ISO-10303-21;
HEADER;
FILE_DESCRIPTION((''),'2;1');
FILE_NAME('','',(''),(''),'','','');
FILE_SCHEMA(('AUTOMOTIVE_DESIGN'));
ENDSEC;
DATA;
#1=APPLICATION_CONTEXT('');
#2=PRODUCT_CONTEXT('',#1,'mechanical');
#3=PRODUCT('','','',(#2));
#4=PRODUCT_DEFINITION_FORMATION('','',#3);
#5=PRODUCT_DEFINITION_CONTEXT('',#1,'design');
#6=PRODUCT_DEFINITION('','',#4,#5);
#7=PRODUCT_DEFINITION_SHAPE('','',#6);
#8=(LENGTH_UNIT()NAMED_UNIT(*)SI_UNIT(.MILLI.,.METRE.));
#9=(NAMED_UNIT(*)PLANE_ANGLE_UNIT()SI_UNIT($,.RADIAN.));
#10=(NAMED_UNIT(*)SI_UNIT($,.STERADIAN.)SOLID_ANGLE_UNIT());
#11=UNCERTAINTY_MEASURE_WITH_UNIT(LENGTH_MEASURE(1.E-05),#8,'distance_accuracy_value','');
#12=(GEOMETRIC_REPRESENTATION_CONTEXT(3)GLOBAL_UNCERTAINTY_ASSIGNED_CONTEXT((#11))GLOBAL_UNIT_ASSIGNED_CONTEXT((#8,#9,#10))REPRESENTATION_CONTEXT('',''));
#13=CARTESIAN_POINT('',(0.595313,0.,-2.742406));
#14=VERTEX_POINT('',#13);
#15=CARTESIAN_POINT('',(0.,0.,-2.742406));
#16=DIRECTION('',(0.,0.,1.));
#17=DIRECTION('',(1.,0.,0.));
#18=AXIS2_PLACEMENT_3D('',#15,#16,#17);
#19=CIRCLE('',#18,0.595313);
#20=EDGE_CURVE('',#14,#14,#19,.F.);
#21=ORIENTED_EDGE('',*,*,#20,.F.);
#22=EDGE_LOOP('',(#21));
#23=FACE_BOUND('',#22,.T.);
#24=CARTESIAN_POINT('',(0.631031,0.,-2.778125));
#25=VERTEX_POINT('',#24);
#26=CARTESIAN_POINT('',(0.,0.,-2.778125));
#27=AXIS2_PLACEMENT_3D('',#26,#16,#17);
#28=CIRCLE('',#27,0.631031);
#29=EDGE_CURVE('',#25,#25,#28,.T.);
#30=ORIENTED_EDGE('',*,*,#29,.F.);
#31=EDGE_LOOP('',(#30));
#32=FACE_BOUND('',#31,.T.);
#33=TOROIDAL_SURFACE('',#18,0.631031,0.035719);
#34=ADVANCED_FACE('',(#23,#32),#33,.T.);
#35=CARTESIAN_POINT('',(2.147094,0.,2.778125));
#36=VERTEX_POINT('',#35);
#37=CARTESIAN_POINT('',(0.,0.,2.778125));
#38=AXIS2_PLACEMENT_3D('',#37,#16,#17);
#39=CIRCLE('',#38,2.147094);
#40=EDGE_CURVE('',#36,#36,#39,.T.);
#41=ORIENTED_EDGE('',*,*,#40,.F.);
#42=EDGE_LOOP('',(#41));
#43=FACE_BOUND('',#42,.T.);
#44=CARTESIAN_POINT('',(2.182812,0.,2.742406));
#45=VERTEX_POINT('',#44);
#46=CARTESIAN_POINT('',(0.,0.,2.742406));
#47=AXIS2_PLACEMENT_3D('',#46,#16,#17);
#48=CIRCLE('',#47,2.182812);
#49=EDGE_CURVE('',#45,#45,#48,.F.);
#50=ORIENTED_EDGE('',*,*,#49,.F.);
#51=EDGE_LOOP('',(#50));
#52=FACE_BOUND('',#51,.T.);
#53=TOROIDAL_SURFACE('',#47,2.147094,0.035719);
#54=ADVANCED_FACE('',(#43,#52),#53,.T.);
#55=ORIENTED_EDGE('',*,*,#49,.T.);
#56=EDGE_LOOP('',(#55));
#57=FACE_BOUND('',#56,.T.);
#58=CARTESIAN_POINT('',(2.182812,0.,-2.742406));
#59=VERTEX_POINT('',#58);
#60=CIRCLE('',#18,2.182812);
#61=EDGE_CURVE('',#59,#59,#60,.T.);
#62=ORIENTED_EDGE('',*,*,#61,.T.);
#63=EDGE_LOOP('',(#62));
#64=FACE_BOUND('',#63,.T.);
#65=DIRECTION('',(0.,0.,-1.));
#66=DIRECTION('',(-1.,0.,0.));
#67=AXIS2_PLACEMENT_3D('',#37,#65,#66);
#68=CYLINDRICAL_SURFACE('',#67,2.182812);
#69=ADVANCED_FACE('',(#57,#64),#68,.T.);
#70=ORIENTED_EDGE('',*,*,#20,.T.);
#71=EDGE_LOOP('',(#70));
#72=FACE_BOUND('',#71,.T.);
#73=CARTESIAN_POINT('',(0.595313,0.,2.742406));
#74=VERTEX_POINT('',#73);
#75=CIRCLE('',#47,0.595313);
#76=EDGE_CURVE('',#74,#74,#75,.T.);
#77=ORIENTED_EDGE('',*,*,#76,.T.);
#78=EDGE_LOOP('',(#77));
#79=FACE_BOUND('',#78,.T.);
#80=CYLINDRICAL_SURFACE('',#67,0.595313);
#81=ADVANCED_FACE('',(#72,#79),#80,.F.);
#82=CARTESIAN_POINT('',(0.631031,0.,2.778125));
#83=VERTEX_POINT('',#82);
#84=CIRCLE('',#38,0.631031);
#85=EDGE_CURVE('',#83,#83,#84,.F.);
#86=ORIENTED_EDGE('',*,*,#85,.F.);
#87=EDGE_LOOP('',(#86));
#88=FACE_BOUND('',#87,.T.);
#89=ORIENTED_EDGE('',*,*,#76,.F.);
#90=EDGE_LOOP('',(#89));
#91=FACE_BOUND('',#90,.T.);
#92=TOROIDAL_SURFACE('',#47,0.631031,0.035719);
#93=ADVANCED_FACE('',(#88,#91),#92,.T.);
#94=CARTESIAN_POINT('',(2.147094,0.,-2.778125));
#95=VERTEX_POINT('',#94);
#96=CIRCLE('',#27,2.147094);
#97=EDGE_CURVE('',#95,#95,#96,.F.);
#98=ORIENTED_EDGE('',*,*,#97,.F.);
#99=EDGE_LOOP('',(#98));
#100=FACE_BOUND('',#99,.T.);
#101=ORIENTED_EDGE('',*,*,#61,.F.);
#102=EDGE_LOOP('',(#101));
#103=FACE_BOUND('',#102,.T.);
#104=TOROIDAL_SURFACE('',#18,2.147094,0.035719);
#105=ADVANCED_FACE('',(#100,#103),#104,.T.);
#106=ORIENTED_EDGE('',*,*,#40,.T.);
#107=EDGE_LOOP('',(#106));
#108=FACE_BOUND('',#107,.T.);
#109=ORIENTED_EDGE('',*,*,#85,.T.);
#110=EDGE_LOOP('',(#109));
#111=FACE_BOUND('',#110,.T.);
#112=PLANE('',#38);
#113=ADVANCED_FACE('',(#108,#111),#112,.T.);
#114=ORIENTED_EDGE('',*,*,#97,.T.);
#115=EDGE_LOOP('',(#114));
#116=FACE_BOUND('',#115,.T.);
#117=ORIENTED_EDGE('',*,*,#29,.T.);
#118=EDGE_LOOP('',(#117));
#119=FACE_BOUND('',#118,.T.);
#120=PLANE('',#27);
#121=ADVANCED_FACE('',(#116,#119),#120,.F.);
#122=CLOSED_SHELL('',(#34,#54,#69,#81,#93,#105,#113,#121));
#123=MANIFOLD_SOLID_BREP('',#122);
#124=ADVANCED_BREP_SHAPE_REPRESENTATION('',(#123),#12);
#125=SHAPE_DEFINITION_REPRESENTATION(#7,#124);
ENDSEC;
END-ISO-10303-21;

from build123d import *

# Parameters (mm, degrees)
SKETCH3_R                = 2.1828125
SKETCH3_R_2              = 0.5953125
BOSS_EXTRUDE1_DEPTH      = 2.778125
BOSS_EXTRUDE1_DEPTH_BACK = 2.778125
FILLET1_R                = 0.03571875


with BuildPart() as part:
    # Sketch3 → Boss-Extrude1 (new body, two sides)
    with BuildSketch(Plane.XY) as boss_extrude1_sk:
        Circle(SKETCH3_R)
        Circle(SKETCH3_R_2, mode=Mode.SUBTRACT)
    extrude(amount=BOSS_EXTRUDE1_DEPTH)
    extrude(boss_extrude1_sk.sketch, amount=-BOSS_EXTRUDE1_DEPTH_BACK)

    # Fillet1
    fillet1_edges = [part.edges().sort_by_distance(p)[0] for p in [
        (-2.1828125, 0, 2.778125),
        (-0.5953125, 0, 2.778125),
        (-2.1828125, 0, -2.778125),
        (-0.5953125, 0, -2.778125),
    ]]
    fillet(fillet1_edges, radius=FILLET1_R)


solid = part.part
